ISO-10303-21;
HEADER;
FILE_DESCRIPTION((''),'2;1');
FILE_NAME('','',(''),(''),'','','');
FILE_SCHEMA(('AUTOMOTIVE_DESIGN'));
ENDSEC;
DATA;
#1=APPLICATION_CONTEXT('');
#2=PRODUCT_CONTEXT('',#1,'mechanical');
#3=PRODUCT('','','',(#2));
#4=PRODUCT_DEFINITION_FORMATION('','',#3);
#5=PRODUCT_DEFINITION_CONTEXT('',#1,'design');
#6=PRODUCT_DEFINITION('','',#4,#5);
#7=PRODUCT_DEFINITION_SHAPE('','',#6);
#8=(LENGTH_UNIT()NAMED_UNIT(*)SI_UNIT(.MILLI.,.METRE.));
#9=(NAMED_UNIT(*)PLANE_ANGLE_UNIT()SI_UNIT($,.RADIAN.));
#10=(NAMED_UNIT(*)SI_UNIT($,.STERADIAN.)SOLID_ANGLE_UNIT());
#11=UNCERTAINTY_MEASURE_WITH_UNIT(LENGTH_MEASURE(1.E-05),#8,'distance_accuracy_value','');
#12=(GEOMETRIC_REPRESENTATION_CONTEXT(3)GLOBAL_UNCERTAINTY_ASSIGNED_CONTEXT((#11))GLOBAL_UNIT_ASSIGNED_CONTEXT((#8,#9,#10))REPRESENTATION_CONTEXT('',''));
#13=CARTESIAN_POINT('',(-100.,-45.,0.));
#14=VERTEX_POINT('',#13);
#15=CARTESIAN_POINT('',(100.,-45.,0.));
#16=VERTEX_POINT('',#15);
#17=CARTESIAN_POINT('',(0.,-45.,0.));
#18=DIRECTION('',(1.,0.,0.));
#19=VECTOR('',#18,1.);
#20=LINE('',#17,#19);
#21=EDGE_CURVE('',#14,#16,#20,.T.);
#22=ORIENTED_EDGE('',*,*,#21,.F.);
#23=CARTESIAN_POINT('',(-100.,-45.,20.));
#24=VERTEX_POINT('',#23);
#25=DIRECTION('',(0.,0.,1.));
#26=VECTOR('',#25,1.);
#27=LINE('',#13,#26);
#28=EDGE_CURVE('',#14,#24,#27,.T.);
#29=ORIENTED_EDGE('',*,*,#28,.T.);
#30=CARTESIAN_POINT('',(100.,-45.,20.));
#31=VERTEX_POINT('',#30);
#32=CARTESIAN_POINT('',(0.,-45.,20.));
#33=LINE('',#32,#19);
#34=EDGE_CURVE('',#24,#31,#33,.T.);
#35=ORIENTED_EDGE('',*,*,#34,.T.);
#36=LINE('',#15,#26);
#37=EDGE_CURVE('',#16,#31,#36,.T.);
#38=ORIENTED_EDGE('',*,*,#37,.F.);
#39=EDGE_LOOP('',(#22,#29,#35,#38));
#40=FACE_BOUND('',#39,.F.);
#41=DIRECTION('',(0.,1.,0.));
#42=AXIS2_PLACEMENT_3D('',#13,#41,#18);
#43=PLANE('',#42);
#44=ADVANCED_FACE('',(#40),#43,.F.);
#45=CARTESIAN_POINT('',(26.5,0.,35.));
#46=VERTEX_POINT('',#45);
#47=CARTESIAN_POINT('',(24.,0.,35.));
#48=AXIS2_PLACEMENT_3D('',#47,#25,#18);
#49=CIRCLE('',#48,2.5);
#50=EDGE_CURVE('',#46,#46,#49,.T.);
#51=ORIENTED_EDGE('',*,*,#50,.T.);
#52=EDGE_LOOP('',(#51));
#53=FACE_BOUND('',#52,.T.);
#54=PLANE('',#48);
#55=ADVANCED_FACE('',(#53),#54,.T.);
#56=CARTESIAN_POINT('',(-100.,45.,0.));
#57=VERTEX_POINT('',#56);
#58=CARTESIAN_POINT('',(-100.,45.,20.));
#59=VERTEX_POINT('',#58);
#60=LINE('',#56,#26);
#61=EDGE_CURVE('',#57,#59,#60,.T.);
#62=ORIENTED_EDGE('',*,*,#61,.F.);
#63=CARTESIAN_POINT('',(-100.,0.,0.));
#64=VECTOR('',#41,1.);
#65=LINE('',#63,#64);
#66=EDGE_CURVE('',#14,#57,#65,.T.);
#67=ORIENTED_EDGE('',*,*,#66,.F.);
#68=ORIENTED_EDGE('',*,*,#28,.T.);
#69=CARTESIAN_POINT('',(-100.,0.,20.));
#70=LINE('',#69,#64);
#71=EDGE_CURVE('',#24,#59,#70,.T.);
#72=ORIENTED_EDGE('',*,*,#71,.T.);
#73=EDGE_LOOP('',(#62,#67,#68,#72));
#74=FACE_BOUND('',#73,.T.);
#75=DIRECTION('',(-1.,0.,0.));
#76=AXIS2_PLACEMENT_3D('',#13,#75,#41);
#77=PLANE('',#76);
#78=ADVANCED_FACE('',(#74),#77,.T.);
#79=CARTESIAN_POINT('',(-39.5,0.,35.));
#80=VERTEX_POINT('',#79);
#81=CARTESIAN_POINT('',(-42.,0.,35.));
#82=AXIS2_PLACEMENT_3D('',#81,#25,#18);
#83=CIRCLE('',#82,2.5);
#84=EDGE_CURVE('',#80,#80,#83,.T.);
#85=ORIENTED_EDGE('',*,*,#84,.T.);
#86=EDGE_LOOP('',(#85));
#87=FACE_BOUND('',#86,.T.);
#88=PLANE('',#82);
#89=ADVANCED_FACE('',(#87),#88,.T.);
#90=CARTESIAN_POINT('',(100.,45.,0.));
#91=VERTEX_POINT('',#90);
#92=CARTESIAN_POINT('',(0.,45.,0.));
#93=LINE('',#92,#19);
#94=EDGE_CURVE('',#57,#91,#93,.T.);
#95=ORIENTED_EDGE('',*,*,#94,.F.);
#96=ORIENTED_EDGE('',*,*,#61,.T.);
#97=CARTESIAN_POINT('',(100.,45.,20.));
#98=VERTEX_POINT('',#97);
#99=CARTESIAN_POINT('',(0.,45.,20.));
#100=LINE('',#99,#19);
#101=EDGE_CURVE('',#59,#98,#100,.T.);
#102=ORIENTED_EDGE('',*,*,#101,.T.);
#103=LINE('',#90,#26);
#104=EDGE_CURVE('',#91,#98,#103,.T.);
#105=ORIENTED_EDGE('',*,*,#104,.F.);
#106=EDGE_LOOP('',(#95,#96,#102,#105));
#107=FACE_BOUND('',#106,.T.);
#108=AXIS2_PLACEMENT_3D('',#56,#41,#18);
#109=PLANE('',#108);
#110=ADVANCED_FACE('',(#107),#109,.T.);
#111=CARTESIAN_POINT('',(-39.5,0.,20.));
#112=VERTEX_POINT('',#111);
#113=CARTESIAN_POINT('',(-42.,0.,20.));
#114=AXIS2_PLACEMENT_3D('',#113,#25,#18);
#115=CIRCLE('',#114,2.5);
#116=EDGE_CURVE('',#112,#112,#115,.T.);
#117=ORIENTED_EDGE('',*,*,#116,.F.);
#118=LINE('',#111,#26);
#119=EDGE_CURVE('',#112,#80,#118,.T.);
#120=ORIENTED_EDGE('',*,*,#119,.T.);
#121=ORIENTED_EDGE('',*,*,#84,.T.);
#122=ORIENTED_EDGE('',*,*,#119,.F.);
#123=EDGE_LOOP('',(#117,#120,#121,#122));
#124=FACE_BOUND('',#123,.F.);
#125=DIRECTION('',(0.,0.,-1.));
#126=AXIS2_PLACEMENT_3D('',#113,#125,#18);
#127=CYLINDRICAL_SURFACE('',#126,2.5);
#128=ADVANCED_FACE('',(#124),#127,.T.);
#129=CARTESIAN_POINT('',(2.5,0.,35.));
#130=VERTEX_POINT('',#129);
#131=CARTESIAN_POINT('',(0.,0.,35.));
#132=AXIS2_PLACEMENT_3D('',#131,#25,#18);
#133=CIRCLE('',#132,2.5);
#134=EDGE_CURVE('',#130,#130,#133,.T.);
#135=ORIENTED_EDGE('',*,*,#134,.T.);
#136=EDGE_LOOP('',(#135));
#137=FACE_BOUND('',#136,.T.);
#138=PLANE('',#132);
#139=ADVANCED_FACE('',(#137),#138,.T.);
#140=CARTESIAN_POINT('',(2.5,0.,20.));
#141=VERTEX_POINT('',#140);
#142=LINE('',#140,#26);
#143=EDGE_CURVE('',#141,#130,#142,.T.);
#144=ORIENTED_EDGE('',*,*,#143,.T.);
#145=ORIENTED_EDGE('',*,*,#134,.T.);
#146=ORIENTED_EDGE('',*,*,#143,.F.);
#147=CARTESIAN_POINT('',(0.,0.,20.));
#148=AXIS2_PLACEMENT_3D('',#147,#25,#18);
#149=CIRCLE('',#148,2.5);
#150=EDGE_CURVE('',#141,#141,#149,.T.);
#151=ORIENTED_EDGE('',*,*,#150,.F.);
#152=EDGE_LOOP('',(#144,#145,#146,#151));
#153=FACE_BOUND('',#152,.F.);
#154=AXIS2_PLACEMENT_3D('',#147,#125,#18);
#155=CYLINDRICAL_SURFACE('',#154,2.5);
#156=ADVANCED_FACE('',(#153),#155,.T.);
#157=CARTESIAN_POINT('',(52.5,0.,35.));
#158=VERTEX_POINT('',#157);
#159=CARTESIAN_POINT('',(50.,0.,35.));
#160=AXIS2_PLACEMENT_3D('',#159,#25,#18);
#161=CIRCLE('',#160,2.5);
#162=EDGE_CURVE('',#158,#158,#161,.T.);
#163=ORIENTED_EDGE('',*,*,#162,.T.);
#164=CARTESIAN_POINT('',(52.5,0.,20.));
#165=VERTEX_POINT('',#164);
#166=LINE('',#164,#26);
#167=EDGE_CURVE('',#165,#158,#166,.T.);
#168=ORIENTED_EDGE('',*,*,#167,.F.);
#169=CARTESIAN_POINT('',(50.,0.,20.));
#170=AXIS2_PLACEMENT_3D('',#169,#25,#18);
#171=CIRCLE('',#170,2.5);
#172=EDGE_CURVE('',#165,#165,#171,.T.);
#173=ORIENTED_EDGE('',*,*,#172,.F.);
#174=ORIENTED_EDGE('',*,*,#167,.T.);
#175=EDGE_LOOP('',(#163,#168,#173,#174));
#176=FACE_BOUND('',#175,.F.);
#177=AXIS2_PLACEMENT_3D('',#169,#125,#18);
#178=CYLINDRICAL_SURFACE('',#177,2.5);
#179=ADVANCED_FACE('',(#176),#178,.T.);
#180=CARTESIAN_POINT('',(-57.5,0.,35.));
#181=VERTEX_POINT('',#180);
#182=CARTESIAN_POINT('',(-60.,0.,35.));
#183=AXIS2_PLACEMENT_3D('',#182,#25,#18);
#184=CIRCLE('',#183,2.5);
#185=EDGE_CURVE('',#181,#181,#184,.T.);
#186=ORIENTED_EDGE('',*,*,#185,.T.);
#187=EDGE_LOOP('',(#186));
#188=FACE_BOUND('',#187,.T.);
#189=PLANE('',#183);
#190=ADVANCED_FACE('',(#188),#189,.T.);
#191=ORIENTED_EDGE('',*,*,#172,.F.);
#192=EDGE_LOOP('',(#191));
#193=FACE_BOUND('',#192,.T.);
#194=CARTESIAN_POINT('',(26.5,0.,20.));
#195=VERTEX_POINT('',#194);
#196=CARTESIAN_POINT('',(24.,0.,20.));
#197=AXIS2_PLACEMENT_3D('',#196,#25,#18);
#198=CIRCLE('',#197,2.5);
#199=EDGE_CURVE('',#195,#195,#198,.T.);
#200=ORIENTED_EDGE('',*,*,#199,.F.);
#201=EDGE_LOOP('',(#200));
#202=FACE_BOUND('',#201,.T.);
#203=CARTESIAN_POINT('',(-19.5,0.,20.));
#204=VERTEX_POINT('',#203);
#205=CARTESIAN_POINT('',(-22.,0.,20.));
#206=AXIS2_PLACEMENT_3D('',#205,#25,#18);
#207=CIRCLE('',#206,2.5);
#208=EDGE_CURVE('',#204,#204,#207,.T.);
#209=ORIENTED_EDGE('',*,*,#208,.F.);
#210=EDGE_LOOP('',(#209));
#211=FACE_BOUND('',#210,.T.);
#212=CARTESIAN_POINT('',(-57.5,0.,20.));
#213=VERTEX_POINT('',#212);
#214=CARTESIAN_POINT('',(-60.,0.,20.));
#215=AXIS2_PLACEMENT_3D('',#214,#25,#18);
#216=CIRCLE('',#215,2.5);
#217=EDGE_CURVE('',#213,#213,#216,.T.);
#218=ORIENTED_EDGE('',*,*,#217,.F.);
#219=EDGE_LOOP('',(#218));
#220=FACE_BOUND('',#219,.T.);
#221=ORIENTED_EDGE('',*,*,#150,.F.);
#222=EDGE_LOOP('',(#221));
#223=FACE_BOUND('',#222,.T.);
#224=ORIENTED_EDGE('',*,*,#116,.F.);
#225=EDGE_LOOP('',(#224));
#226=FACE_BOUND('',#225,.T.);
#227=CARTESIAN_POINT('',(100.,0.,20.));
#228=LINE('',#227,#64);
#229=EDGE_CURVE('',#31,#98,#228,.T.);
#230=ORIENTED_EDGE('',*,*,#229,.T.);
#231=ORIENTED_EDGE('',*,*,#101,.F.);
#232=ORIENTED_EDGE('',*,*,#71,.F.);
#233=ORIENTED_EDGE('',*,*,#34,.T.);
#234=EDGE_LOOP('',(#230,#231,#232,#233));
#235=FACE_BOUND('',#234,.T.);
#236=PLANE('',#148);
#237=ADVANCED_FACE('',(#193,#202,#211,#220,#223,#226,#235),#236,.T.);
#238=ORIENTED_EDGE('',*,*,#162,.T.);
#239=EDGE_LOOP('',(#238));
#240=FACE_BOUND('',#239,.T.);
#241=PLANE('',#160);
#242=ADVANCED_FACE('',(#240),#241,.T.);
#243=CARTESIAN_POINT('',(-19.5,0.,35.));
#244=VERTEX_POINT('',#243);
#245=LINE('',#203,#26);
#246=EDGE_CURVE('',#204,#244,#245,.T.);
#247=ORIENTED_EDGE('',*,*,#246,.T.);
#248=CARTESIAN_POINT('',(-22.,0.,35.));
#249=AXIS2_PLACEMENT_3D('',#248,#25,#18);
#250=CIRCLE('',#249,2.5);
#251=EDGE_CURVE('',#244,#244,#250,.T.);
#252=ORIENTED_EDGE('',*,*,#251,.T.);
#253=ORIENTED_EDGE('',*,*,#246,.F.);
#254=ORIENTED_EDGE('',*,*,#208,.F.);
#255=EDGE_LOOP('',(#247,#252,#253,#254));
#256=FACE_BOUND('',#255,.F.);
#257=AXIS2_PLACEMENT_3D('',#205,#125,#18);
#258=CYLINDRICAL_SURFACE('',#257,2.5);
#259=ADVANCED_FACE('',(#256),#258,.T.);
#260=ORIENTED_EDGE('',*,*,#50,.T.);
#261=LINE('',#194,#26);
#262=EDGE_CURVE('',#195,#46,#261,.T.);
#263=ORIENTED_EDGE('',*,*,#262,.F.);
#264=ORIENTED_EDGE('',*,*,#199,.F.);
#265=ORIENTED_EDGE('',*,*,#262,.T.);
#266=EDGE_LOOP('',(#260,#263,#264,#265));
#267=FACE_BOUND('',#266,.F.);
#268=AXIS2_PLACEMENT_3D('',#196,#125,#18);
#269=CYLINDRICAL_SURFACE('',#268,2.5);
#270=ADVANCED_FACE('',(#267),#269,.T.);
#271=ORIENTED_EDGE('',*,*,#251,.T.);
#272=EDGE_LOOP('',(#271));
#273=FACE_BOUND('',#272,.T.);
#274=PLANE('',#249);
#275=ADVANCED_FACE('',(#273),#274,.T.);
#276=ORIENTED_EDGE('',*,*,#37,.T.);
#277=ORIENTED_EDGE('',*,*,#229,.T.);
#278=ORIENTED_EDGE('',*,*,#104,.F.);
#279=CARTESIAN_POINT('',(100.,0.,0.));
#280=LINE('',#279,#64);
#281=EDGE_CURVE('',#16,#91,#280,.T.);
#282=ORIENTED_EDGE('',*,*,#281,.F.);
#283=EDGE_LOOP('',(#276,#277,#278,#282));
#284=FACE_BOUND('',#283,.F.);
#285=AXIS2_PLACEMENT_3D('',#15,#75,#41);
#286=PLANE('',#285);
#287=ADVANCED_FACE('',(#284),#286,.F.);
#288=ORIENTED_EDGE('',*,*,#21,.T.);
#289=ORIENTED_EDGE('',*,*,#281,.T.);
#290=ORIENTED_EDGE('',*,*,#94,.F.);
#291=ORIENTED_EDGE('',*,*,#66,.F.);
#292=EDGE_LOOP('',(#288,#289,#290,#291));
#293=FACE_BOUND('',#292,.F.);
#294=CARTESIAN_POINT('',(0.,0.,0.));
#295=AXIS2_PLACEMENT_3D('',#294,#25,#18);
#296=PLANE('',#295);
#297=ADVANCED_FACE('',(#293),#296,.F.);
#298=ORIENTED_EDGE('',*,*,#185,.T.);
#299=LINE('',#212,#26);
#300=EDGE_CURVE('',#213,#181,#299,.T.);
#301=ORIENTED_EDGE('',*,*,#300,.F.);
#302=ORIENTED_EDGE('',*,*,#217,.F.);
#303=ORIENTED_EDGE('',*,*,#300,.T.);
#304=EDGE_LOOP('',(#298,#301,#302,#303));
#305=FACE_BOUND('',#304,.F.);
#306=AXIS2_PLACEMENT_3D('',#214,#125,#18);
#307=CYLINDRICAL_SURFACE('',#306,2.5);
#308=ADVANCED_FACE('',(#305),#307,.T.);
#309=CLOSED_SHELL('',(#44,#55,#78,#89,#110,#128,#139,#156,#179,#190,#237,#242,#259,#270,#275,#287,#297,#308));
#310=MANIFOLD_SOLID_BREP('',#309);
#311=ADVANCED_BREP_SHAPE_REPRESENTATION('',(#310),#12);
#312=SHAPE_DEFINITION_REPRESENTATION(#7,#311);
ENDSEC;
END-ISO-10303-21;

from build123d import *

# Parameters (mm, degrees)
F0_W     = 200
F0_H     = 90
F1_DEPTH = 20
F2_R     = 2.5
F3_DEPTH = 15


with BuildPart() as f1:
    # F0 (on Top) → F1 (new body)
    with BuildSketch(Plane.XY):
        Rectangle(F0_W, F0_H)
    extrude(amount=F1_DEPTH)

    # F2 (on face) → F3 (join)
    with BuildSketch(Plane.XY.offset(20)):
        with Locations((-60, 0)):
            Circle(F2_R)
        with Locations((-42, 0)):
            Circle(F2_R)
        with Locations((-22, 0)):
            Circle(F2_R)
        Circle(F2_R)
        with Locations((24, 0)):
            Circle(F2_R)
        with Locations((50, 0)):
            Circle(F2_R)
    extrude(amount=F3_DEPTH)


solid = f1.part
